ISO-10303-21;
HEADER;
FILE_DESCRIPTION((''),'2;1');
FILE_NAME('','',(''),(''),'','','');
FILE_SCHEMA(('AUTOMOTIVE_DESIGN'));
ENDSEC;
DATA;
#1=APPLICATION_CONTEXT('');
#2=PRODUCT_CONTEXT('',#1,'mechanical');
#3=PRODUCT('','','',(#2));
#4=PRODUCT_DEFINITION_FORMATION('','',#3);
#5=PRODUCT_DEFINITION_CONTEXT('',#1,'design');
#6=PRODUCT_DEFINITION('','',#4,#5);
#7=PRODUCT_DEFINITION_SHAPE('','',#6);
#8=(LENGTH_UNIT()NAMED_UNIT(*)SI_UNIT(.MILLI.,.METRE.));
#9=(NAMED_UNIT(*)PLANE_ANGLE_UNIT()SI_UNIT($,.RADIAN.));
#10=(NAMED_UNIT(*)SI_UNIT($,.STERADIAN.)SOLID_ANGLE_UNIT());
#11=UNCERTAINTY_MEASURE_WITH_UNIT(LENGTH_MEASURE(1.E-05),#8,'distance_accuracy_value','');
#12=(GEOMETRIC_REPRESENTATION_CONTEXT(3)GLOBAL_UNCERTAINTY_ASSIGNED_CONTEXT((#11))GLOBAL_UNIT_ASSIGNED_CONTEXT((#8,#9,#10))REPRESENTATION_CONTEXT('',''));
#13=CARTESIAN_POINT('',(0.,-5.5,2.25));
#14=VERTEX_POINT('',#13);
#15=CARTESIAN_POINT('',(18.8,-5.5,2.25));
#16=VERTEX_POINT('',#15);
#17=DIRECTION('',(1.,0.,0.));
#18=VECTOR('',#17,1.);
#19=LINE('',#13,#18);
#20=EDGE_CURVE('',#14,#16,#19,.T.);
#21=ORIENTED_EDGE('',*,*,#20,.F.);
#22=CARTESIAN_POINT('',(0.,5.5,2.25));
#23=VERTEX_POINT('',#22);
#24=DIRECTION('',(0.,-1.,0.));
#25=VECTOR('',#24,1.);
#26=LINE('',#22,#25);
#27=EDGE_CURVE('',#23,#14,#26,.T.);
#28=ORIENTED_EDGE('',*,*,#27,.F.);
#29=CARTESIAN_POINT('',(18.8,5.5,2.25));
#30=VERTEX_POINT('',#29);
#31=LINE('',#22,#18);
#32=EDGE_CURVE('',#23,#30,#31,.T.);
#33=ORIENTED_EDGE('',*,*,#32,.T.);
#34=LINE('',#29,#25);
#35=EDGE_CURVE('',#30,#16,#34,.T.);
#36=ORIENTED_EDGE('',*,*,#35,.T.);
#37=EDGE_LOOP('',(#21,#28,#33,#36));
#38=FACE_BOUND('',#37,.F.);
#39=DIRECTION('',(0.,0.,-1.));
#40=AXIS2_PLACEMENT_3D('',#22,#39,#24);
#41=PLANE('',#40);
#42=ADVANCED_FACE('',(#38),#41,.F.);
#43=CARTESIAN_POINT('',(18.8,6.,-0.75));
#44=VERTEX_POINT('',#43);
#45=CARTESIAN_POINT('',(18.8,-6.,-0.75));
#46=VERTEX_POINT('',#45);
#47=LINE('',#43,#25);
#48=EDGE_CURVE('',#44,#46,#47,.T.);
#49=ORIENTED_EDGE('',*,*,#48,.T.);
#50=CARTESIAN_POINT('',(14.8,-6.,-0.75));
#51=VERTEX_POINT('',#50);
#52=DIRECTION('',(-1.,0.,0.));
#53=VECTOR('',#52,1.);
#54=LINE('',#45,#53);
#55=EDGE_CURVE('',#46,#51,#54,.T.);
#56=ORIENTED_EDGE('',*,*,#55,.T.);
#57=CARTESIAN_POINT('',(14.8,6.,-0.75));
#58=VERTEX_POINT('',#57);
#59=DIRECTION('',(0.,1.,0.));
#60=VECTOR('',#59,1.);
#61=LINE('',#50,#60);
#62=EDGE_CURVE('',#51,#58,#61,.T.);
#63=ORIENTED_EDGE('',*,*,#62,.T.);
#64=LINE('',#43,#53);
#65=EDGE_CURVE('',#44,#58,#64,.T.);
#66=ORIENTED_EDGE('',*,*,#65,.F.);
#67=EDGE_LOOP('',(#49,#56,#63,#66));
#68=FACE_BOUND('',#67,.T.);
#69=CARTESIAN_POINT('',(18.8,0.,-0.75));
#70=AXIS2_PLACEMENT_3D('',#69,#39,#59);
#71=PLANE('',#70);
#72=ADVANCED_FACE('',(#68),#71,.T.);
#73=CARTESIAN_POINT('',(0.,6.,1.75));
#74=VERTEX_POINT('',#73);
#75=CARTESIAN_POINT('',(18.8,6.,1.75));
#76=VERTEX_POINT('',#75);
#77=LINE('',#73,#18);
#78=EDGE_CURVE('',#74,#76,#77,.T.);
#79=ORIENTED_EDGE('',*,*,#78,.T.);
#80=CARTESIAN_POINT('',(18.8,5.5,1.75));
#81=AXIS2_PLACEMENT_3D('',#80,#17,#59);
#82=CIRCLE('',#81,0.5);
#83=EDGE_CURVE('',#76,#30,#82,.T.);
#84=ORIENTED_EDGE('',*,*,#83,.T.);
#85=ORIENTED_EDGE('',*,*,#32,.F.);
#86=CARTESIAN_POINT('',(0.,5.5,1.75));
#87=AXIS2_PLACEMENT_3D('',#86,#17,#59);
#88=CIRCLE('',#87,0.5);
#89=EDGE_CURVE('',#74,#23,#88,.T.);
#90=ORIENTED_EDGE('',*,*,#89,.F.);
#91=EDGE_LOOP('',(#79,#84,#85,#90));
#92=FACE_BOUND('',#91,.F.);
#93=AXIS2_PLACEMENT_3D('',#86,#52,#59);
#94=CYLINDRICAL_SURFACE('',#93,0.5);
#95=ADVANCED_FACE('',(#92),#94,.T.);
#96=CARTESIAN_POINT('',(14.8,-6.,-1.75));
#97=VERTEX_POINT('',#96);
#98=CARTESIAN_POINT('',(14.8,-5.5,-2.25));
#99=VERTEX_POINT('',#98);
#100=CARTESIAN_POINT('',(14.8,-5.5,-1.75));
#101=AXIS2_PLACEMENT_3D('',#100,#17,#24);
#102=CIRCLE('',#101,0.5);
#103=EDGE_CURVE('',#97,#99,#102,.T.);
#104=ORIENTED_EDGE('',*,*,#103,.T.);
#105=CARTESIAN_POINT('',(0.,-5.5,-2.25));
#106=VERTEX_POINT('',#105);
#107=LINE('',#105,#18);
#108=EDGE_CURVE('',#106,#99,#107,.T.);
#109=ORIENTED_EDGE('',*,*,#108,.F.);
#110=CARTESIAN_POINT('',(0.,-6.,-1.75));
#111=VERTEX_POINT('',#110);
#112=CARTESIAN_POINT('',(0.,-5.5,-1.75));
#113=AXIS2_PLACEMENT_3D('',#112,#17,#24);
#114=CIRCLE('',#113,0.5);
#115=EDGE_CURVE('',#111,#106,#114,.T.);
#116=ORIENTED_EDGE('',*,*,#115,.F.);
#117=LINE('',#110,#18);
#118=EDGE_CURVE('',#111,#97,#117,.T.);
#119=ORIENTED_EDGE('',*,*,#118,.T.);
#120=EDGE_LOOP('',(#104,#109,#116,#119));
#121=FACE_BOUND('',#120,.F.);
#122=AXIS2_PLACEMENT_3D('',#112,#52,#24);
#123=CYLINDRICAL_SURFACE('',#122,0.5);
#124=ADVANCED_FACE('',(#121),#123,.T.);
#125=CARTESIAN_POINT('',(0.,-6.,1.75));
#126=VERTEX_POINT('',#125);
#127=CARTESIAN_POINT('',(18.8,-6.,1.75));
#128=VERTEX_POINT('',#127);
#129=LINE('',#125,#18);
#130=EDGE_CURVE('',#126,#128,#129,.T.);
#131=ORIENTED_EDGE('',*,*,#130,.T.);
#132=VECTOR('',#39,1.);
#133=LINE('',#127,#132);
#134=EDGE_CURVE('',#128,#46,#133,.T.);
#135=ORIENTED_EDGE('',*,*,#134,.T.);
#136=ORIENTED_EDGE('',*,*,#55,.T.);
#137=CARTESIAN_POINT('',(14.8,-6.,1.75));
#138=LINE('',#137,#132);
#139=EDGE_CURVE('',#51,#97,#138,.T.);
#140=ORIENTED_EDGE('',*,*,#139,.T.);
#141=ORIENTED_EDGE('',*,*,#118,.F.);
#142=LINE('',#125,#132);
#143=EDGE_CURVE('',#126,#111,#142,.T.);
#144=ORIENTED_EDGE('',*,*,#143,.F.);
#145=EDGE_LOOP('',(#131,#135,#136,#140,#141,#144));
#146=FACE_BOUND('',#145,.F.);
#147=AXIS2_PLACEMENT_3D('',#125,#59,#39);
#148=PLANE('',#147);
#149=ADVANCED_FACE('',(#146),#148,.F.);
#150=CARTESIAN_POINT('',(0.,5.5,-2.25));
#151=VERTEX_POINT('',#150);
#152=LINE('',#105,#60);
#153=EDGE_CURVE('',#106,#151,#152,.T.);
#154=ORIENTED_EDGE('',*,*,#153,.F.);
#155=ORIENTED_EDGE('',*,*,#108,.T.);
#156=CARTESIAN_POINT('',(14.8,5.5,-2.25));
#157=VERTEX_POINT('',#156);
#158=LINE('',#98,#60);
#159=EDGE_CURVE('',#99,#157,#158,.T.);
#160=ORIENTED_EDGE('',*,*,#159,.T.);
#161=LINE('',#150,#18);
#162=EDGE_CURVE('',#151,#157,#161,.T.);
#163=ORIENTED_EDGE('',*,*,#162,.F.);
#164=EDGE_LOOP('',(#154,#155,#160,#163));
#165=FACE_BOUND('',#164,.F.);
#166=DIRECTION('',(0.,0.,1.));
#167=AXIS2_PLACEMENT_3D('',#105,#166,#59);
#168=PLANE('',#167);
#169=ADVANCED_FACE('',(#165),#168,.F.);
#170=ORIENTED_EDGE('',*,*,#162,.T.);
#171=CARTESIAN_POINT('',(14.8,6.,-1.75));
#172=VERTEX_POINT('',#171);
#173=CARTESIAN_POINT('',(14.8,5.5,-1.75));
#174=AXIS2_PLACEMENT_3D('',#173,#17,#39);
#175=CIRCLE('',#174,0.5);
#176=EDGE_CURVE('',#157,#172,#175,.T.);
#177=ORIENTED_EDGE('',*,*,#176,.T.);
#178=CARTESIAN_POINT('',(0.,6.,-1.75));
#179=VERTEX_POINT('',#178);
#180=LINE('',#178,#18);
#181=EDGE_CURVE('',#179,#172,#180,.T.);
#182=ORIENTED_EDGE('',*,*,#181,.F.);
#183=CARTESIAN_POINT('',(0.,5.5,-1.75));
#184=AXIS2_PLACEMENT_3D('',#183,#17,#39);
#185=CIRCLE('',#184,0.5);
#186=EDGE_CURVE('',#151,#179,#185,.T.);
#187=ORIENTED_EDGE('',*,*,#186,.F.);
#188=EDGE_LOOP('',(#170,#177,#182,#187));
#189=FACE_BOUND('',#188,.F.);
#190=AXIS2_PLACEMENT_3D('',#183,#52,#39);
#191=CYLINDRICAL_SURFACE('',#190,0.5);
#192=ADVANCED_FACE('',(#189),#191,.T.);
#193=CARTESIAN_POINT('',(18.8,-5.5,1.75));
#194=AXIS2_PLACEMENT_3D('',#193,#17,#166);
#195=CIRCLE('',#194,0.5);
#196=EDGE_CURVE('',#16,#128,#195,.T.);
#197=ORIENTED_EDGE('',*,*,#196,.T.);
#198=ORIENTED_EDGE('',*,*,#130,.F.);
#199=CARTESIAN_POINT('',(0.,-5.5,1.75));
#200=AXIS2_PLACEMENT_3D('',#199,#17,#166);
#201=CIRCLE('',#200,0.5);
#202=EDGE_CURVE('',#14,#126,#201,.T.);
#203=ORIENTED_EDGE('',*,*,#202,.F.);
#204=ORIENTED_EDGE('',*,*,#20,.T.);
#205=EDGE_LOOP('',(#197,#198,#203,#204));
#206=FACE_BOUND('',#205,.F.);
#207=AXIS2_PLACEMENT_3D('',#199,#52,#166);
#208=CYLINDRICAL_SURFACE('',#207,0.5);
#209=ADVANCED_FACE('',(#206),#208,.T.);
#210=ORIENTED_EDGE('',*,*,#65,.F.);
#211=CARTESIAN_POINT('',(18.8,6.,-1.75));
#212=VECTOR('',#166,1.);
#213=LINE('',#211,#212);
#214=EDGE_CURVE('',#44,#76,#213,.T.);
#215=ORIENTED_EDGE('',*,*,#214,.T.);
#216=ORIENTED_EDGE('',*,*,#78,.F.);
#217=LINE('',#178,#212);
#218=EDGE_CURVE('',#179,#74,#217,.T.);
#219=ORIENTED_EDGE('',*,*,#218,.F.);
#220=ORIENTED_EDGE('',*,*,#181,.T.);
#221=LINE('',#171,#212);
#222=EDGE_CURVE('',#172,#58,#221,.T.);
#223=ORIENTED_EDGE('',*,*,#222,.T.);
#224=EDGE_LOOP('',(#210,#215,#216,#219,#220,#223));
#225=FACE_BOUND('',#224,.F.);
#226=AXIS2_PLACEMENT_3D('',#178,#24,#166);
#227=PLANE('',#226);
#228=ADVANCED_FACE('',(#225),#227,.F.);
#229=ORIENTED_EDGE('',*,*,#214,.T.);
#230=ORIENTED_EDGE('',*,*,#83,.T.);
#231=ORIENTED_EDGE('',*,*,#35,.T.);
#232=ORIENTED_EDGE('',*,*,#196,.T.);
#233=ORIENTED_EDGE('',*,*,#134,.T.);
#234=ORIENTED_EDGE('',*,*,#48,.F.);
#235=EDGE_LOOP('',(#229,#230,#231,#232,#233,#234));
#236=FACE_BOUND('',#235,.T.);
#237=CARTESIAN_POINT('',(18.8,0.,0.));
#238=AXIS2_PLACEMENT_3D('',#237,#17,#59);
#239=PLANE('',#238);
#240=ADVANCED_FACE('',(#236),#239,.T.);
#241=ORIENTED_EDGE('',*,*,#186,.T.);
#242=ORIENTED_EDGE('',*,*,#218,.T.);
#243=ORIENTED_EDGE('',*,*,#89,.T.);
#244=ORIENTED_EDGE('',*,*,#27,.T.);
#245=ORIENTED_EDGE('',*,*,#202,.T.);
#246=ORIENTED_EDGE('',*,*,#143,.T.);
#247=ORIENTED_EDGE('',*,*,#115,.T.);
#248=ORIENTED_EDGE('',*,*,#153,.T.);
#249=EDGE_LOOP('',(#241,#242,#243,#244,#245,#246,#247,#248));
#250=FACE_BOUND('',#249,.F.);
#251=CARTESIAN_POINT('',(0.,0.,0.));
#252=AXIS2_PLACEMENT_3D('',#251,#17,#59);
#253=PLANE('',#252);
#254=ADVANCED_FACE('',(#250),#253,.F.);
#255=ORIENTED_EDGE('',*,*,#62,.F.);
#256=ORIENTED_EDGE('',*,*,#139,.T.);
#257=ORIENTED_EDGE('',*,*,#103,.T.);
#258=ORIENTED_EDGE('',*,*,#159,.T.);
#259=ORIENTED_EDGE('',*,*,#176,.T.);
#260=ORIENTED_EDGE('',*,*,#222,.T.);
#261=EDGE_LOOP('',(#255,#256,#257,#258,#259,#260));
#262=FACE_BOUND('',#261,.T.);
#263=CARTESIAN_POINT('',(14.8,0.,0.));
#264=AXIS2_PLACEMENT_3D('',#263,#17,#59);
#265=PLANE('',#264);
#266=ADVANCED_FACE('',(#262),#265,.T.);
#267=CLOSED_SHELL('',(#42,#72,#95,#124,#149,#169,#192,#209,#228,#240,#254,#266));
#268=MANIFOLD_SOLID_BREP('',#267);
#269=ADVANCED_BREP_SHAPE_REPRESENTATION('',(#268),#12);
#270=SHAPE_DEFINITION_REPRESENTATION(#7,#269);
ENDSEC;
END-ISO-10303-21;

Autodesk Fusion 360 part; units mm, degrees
sketch "Sketch1" plane through (0, 0, 0) normal (1, 0, 0) x (0, 1, 0)
  line L0 (5.5, 2.25) -> (-5.5, 2.25)
  line L1 (-6, 1.75) -> (-6, -1.75)
  line L2 (-5.5, -2.25) -> (5.5, -2.25)
  line L3 (6, -1.75) -> (6, 1.75)
  line L4 (6, 2.25) -> (-6, -2.25) construction
  line L5 (-6, 2.25) -> (6, -2.25) construction
  arc A0 (-5.5, 2.25) -> (-6, 1.75) centre (-5.5, 1.75) ccw
  arc A1 (-6, -1.75) -> (-5.5, -2.25) centre (-5.5, -1.75) ccw
  arc A2 (6, 1.75) -> (5.5, 2.25) centre (5.5, 1.75) ccw
  arc A3 (5.5, -2.25) -> (6, -1.75) centre (5.5, -1.75) ccw
  dimension "d1" = 12
  dimension "d2" = 4.5
  dimension "d3" = 0.5
  dimension "d4" = 0.5
  dimension "d5" = 0.5
  dimension "d6" = 0.5
extrude "Extrude1" add sketch "Sketch1" along normal blind 18.8
sketch "Sketch2" plane through (18.8, 0, 0) normal (1, 0, 0) x (0, 1, 0)
  arc A0 (5.5, -2.25) -> (6, -1.75) centre (5.5, -1.75) ccw
  line L0 (6, -1.75) -> (6, 1.75)
  arc A1 (6, 1.75) -> (5.5, 2.25) centre (5.5, 1.75) ccw
  line L1 (5.5, 2.25) -> (-5.5, 2.25)
  arc A2 (-5.5, 2.25) -> (-6, 1.75) centre (-5.5, 1.75) ccw
  line L2 (-6, 1.75) -> (-6, -1.75)
  arc A3 (-6, -1.75) -> (-5.5, -2.25) centre (-5.5, -1.75) ccw
  line L3 (-5.5, -2.25) -> (5.5, -2.25)
  line L4 (0, 2.25) -> (0, -0.75)
  line L5 (0, -0.75) -> (6, -0.75)
  line L6 (6, -0.75) -> (6, -2.25)
  line L7 (6, -2.25) -> (0, -2.25)
  line L8 (0, -2.25) -> (0, -0.75)
  line L9 (0, -0.75) -> (-6, -0.75)
  line L10 (-6, -0.75) -> (-6, -2.25)
  line L11 (-6, -2.25) -> (0, -2.25)
  line L12 (0, -2.25) -> (0, -0.75)
  dimension "d9" = 3
extrude "Extrude2" cut sketch "Sketch2" against normal blind 4 contours A0 L0 L3 L5 L6 L7 L8 L12 | L2 A3 L3 L8 L9 L10 L11 L12
